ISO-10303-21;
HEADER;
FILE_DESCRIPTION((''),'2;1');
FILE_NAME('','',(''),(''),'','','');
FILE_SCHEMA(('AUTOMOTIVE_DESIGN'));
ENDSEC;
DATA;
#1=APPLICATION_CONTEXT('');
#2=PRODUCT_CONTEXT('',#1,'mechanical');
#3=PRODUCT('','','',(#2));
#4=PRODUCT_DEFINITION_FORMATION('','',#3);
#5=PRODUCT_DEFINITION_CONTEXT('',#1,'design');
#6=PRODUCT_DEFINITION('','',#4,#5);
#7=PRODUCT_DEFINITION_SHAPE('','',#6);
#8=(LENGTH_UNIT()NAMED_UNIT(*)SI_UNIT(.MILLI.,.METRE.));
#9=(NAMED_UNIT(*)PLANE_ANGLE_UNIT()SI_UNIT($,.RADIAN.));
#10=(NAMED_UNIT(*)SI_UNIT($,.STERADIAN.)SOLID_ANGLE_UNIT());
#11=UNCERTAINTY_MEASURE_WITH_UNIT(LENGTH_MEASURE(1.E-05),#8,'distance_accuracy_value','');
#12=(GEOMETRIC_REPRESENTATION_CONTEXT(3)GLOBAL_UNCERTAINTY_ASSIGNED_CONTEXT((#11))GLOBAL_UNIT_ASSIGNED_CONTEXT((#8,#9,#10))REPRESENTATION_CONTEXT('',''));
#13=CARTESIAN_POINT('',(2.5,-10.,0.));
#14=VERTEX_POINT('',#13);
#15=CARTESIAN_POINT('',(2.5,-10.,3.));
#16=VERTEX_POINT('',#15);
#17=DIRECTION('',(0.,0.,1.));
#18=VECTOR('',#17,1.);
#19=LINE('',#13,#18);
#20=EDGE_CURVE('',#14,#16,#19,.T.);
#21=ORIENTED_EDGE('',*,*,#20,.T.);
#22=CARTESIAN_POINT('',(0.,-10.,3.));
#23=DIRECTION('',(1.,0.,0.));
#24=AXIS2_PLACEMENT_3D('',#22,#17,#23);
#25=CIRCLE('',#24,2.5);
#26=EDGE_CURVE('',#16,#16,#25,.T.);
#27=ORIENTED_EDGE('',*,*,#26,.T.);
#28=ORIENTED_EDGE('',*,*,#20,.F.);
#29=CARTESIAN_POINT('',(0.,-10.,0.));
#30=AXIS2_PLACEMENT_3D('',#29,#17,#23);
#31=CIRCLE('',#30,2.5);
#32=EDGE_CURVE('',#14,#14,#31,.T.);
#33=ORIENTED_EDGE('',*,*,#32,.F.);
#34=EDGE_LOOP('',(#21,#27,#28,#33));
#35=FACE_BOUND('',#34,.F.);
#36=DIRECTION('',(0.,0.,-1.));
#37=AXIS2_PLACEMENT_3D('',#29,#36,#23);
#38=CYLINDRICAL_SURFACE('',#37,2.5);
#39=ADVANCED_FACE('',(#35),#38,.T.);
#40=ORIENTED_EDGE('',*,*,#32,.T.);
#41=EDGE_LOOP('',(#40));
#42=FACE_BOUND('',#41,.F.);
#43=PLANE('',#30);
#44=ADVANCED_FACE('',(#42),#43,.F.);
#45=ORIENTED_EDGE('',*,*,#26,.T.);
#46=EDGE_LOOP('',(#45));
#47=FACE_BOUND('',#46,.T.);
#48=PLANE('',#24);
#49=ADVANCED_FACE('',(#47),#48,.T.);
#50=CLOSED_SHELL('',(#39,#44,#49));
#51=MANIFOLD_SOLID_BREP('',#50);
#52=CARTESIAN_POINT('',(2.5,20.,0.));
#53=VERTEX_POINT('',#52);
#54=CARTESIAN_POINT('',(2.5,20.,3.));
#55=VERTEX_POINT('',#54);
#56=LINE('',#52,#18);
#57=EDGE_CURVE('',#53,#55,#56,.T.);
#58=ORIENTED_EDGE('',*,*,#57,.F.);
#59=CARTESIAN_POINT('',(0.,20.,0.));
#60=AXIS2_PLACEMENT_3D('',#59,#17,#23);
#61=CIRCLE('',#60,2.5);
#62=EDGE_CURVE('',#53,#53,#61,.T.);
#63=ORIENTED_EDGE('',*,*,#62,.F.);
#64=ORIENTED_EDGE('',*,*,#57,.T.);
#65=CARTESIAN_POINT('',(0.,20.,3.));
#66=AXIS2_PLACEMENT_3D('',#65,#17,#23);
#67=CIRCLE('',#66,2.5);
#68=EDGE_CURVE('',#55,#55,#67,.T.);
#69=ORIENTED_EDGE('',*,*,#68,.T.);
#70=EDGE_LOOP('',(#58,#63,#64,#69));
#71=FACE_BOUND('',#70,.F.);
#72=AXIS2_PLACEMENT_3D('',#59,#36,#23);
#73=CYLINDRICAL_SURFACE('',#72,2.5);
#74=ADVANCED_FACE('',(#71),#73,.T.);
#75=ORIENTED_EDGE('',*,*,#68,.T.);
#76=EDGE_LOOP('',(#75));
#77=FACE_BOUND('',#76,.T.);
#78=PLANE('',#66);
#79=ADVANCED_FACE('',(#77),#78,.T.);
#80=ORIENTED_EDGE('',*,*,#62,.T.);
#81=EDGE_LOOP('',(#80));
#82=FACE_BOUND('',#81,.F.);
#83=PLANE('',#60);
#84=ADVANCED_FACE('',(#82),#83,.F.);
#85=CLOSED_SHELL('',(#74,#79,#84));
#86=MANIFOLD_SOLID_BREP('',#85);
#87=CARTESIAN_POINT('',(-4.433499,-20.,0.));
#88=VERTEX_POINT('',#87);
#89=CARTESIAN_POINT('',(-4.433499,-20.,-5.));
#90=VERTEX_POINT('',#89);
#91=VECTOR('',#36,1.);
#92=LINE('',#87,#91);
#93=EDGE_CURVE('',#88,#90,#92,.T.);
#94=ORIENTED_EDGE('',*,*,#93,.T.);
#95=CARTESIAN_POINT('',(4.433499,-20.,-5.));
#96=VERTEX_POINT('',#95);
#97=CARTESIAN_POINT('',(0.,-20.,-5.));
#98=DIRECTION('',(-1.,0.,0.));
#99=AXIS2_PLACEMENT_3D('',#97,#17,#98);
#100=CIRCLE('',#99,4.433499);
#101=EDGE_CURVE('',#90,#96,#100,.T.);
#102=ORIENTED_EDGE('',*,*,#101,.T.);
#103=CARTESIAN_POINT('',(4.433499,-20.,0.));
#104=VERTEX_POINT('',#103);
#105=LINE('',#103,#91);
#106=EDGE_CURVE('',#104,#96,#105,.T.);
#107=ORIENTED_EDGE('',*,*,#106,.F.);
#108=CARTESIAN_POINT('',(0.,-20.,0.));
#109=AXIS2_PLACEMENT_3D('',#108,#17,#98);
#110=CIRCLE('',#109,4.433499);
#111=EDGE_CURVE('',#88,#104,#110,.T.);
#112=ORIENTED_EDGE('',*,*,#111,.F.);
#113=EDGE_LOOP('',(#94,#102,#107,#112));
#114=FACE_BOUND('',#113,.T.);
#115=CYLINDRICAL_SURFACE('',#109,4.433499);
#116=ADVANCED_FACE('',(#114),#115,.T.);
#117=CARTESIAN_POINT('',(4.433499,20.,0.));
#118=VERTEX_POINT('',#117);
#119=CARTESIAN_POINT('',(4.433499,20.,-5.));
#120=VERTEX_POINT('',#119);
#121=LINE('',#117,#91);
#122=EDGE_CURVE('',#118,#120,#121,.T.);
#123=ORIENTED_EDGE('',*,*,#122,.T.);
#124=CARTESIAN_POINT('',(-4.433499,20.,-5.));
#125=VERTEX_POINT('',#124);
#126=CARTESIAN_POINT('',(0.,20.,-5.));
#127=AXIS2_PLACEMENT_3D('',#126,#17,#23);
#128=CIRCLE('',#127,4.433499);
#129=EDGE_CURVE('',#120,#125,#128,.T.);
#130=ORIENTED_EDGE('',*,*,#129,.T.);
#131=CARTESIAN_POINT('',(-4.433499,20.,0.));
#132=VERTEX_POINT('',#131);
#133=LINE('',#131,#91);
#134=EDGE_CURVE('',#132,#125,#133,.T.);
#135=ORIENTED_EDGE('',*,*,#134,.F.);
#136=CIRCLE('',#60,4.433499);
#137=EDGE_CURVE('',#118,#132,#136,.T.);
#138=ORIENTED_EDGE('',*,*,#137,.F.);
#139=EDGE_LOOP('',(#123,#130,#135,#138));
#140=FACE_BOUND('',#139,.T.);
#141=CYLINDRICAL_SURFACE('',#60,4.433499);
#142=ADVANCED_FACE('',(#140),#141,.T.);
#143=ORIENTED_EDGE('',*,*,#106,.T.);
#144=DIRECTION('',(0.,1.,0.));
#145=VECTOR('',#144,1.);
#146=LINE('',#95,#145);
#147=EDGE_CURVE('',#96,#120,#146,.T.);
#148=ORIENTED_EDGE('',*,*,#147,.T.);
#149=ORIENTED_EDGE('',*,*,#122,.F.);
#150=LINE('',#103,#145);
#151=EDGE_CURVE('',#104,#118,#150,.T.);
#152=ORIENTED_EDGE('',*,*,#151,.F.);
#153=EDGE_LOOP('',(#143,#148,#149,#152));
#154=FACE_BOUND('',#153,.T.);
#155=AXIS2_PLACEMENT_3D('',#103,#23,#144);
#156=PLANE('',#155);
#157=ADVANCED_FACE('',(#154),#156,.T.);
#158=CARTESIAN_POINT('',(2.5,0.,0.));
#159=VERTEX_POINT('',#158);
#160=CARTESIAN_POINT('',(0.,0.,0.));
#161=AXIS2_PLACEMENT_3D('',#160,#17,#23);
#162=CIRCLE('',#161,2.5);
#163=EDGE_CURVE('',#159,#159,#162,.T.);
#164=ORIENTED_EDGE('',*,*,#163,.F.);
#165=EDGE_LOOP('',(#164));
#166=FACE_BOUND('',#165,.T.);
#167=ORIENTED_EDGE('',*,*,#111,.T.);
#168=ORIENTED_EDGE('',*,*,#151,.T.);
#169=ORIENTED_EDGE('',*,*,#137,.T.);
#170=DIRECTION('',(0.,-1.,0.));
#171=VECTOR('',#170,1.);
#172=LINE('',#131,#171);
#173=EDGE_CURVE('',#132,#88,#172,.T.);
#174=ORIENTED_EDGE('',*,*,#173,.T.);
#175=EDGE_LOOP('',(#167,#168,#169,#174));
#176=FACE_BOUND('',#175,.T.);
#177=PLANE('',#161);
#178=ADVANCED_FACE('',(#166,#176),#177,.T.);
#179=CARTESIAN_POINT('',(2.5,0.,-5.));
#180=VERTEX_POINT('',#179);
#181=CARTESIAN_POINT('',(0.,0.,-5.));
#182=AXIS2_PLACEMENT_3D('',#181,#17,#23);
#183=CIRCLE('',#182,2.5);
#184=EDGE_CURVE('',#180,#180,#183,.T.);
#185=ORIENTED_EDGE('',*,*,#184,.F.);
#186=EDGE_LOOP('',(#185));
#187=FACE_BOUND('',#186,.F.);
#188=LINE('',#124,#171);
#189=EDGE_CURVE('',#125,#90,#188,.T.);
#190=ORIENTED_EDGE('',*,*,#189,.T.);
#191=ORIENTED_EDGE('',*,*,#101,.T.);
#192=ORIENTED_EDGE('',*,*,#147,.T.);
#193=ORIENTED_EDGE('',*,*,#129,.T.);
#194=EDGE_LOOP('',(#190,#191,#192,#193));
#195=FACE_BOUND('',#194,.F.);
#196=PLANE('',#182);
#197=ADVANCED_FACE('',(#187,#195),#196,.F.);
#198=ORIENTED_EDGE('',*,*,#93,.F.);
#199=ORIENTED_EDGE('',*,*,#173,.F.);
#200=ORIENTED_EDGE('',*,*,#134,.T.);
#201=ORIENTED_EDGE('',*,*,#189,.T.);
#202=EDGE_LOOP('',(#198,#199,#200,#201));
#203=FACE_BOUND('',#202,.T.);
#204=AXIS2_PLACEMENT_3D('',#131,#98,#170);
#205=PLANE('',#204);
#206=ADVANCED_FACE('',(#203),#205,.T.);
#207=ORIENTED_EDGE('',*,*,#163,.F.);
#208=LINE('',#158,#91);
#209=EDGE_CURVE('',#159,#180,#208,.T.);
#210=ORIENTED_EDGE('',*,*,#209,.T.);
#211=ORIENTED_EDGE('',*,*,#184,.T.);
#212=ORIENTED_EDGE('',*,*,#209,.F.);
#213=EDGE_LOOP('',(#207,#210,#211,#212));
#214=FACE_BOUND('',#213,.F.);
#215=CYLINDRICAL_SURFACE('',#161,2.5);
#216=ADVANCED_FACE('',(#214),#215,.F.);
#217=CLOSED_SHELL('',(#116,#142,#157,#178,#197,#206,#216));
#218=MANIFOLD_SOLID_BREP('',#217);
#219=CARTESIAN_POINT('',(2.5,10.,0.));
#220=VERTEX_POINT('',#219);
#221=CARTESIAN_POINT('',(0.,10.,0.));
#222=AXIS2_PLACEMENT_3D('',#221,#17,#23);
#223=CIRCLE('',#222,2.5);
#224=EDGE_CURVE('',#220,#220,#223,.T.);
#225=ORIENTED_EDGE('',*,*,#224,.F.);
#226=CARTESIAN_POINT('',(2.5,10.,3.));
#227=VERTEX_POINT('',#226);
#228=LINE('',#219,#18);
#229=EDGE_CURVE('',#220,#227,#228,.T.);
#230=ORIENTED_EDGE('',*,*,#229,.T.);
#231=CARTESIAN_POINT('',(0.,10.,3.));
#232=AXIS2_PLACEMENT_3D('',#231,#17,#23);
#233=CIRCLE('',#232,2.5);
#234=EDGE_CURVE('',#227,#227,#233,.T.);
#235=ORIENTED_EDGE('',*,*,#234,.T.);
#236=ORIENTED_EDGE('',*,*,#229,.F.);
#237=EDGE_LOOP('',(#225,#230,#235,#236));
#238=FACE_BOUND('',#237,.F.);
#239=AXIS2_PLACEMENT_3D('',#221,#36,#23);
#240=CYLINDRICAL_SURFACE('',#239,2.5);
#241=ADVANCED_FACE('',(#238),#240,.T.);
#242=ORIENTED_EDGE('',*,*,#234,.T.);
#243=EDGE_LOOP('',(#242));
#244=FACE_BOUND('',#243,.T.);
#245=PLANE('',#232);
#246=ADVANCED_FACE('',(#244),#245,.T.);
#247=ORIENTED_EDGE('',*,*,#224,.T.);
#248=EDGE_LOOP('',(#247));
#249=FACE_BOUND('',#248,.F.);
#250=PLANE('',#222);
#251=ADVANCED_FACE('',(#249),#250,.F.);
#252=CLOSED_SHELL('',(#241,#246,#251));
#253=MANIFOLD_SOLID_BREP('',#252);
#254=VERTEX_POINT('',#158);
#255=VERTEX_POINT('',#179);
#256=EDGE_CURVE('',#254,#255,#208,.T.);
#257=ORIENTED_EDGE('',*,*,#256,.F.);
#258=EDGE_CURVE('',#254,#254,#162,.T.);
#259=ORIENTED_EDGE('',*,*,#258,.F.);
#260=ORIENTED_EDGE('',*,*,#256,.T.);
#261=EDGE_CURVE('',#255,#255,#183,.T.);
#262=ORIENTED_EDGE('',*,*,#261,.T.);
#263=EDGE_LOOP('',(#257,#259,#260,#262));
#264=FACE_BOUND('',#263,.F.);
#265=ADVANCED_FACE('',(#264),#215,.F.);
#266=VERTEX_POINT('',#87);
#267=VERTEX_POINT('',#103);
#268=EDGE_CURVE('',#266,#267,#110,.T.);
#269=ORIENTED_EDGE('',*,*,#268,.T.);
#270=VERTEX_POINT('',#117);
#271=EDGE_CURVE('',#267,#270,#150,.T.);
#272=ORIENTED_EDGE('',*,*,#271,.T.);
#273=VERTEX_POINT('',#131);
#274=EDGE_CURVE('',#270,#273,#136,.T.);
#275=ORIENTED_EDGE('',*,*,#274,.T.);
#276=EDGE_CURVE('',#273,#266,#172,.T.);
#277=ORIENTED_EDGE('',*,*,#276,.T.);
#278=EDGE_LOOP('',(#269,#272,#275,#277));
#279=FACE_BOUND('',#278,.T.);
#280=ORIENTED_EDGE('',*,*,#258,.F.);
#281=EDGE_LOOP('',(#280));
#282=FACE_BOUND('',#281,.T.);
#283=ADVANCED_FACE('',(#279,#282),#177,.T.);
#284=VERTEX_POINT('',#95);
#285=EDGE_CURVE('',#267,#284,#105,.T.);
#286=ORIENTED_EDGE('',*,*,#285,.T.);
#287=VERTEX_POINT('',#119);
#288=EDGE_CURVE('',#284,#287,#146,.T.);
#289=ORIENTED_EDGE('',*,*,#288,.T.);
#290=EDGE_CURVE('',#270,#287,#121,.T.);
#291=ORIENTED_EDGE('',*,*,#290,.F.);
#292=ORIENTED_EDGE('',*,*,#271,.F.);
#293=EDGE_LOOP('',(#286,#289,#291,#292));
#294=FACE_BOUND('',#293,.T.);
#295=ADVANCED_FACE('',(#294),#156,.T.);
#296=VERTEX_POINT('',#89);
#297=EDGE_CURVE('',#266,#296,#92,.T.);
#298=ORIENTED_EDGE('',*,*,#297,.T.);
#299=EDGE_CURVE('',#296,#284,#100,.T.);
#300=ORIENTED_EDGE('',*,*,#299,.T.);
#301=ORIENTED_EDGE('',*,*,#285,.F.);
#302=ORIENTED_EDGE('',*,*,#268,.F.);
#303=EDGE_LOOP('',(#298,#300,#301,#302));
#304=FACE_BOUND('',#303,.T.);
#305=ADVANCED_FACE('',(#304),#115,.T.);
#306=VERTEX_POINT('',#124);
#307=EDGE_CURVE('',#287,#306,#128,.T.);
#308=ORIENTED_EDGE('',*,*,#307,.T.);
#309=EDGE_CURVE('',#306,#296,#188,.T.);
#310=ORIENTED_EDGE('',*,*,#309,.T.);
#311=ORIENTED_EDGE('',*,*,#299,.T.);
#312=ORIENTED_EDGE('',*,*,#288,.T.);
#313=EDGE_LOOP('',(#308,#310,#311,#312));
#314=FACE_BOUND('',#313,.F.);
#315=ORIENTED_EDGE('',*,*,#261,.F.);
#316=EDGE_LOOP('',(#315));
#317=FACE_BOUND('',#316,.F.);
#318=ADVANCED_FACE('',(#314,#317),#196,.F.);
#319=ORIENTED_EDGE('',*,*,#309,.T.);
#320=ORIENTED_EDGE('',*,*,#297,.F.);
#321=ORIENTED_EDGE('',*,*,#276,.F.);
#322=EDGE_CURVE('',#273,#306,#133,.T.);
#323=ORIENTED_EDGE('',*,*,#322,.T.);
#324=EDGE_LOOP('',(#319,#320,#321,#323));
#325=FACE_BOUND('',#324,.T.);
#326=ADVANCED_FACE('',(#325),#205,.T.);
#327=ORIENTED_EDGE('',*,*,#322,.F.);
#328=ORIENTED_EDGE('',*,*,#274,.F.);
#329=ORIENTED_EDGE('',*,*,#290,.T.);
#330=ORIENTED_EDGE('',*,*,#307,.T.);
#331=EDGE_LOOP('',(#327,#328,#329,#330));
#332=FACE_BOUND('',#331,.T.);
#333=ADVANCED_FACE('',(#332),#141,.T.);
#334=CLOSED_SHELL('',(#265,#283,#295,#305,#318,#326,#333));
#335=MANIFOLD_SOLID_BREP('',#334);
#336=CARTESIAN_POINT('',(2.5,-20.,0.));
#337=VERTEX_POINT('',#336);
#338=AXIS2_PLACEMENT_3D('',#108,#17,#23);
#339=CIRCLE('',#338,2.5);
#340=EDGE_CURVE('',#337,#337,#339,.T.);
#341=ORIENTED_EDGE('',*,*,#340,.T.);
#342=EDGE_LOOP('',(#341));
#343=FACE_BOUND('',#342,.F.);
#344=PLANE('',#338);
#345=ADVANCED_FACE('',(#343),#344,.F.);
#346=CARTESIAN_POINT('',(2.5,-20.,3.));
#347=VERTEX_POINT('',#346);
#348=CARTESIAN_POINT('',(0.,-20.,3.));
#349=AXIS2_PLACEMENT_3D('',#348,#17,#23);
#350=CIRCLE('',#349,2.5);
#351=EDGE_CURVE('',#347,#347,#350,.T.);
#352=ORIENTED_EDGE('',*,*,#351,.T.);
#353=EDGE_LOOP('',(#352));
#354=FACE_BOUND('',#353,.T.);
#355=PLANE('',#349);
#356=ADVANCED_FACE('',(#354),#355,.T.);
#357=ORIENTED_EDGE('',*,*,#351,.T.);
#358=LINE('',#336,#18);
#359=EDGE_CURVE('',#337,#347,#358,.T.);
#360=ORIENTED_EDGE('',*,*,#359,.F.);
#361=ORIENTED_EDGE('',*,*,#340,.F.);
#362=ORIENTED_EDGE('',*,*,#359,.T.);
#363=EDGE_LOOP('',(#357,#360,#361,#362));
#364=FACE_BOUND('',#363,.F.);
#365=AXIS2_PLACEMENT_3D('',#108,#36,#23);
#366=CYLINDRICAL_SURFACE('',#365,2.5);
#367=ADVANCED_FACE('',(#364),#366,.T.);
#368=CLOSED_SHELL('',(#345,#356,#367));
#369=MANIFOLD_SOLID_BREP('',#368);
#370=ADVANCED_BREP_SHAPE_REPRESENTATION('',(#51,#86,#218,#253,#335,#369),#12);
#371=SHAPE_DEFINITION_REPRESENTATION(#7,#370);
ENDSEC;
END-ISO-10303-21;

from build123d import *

# Parameters (mm, degrees)
F0_R     = 2.5
F2_DEPTH = 5
F1_R     = 2.5
F3_R     = 2.5
F4_DEPTH = 3
F5_R     = 2.5
F6_DEPTH = 5.001


with BuildPart() as f2:
    # F0 (on Top) → F2 (new body)
    with BuildSketch(Plane.XY):
        with BuildLine():
            ThreePointArc((4.4334989042, 20), (0, 24.4334989042), (-4.4334989042, 20))
            Line((-4.4334989042, 20), (-4.4334989042, -20))
            ThreePointArc((-4.4334989042, -20), (0, -24.4334989042), (4.4334989042, -20))
            Line((4.4334989042, -20), (4.4334989042, 20))
        make_face()
        Circle(F0_R, mode=Mode.SUBTRACT)
        Circle(F0_R)
    extrude(amount=-F2_DEPTH)

    # F5 (on face) → F6 (cut, through all)
    with BuildSketch(Plane.XY):
        Circle(F5_R)
    extrude(amount=-F6_DEPTH, mode=Mode.SUBTRACT)


with BuildPart() as f2b:
    # F1 (on face) → F2, piece 2 (new body)
    with BuildSketch(Plane.XY):
        with BuildLine():
            Line((4.4334989042, -20), (4.4334989042, 20))
            ThreePointArc((4.4334989042, 20), (0, 24.4334989042), (-4.4334989042, 20))
            Line((-4.4334989042, 20), (-4.4334989042, -20))
            ThreePointArc((-4.4334989042, -20), (0, -24.4334989042), (4.4334989042, -20))
        make_face()
        Circle(F1_R, mode=Mode.SUBTRACT)
    extrude(amount=-F2_DEPTH)


with BuildPart() as f4:
    # F3 (on face) → F4 (new body)
    with BuildSketch(Plane.XY):
        with Locations((0, 10)):
            Circle(F3_R)
    extrude(amount=F4_DEPTH)


with BuildPart() as f4b:
    # F3 (on face) → F4, piece 2 (new body)
    with BuildSketch(Plane.XY):
        with Locations((0, 20)):
            Circle(F3_R)
    extrude(amount=F4_DEPTH)


with BuildPart() as f4c:
    # F3 (on face) → F4, piece 3 (new body)
    with BuildSketch(Plane.XY):
        with Locations((0, -10)):
            Circle(F3_R)
    extrude(amount=F4_DEPTH)


with BuildPart() as f4d:
    # F3 (on face) → F4, piece 4 (new body)
    with BuildSketch(Plane.XY):
        with Locations((0, -20)):
            Circle(F3_R)
    extrude(amount=F4_DEPTH)


solid = Compound([f2.part, f2b.part, f4.part, f4b.part, f4c.part, f4d.part])
